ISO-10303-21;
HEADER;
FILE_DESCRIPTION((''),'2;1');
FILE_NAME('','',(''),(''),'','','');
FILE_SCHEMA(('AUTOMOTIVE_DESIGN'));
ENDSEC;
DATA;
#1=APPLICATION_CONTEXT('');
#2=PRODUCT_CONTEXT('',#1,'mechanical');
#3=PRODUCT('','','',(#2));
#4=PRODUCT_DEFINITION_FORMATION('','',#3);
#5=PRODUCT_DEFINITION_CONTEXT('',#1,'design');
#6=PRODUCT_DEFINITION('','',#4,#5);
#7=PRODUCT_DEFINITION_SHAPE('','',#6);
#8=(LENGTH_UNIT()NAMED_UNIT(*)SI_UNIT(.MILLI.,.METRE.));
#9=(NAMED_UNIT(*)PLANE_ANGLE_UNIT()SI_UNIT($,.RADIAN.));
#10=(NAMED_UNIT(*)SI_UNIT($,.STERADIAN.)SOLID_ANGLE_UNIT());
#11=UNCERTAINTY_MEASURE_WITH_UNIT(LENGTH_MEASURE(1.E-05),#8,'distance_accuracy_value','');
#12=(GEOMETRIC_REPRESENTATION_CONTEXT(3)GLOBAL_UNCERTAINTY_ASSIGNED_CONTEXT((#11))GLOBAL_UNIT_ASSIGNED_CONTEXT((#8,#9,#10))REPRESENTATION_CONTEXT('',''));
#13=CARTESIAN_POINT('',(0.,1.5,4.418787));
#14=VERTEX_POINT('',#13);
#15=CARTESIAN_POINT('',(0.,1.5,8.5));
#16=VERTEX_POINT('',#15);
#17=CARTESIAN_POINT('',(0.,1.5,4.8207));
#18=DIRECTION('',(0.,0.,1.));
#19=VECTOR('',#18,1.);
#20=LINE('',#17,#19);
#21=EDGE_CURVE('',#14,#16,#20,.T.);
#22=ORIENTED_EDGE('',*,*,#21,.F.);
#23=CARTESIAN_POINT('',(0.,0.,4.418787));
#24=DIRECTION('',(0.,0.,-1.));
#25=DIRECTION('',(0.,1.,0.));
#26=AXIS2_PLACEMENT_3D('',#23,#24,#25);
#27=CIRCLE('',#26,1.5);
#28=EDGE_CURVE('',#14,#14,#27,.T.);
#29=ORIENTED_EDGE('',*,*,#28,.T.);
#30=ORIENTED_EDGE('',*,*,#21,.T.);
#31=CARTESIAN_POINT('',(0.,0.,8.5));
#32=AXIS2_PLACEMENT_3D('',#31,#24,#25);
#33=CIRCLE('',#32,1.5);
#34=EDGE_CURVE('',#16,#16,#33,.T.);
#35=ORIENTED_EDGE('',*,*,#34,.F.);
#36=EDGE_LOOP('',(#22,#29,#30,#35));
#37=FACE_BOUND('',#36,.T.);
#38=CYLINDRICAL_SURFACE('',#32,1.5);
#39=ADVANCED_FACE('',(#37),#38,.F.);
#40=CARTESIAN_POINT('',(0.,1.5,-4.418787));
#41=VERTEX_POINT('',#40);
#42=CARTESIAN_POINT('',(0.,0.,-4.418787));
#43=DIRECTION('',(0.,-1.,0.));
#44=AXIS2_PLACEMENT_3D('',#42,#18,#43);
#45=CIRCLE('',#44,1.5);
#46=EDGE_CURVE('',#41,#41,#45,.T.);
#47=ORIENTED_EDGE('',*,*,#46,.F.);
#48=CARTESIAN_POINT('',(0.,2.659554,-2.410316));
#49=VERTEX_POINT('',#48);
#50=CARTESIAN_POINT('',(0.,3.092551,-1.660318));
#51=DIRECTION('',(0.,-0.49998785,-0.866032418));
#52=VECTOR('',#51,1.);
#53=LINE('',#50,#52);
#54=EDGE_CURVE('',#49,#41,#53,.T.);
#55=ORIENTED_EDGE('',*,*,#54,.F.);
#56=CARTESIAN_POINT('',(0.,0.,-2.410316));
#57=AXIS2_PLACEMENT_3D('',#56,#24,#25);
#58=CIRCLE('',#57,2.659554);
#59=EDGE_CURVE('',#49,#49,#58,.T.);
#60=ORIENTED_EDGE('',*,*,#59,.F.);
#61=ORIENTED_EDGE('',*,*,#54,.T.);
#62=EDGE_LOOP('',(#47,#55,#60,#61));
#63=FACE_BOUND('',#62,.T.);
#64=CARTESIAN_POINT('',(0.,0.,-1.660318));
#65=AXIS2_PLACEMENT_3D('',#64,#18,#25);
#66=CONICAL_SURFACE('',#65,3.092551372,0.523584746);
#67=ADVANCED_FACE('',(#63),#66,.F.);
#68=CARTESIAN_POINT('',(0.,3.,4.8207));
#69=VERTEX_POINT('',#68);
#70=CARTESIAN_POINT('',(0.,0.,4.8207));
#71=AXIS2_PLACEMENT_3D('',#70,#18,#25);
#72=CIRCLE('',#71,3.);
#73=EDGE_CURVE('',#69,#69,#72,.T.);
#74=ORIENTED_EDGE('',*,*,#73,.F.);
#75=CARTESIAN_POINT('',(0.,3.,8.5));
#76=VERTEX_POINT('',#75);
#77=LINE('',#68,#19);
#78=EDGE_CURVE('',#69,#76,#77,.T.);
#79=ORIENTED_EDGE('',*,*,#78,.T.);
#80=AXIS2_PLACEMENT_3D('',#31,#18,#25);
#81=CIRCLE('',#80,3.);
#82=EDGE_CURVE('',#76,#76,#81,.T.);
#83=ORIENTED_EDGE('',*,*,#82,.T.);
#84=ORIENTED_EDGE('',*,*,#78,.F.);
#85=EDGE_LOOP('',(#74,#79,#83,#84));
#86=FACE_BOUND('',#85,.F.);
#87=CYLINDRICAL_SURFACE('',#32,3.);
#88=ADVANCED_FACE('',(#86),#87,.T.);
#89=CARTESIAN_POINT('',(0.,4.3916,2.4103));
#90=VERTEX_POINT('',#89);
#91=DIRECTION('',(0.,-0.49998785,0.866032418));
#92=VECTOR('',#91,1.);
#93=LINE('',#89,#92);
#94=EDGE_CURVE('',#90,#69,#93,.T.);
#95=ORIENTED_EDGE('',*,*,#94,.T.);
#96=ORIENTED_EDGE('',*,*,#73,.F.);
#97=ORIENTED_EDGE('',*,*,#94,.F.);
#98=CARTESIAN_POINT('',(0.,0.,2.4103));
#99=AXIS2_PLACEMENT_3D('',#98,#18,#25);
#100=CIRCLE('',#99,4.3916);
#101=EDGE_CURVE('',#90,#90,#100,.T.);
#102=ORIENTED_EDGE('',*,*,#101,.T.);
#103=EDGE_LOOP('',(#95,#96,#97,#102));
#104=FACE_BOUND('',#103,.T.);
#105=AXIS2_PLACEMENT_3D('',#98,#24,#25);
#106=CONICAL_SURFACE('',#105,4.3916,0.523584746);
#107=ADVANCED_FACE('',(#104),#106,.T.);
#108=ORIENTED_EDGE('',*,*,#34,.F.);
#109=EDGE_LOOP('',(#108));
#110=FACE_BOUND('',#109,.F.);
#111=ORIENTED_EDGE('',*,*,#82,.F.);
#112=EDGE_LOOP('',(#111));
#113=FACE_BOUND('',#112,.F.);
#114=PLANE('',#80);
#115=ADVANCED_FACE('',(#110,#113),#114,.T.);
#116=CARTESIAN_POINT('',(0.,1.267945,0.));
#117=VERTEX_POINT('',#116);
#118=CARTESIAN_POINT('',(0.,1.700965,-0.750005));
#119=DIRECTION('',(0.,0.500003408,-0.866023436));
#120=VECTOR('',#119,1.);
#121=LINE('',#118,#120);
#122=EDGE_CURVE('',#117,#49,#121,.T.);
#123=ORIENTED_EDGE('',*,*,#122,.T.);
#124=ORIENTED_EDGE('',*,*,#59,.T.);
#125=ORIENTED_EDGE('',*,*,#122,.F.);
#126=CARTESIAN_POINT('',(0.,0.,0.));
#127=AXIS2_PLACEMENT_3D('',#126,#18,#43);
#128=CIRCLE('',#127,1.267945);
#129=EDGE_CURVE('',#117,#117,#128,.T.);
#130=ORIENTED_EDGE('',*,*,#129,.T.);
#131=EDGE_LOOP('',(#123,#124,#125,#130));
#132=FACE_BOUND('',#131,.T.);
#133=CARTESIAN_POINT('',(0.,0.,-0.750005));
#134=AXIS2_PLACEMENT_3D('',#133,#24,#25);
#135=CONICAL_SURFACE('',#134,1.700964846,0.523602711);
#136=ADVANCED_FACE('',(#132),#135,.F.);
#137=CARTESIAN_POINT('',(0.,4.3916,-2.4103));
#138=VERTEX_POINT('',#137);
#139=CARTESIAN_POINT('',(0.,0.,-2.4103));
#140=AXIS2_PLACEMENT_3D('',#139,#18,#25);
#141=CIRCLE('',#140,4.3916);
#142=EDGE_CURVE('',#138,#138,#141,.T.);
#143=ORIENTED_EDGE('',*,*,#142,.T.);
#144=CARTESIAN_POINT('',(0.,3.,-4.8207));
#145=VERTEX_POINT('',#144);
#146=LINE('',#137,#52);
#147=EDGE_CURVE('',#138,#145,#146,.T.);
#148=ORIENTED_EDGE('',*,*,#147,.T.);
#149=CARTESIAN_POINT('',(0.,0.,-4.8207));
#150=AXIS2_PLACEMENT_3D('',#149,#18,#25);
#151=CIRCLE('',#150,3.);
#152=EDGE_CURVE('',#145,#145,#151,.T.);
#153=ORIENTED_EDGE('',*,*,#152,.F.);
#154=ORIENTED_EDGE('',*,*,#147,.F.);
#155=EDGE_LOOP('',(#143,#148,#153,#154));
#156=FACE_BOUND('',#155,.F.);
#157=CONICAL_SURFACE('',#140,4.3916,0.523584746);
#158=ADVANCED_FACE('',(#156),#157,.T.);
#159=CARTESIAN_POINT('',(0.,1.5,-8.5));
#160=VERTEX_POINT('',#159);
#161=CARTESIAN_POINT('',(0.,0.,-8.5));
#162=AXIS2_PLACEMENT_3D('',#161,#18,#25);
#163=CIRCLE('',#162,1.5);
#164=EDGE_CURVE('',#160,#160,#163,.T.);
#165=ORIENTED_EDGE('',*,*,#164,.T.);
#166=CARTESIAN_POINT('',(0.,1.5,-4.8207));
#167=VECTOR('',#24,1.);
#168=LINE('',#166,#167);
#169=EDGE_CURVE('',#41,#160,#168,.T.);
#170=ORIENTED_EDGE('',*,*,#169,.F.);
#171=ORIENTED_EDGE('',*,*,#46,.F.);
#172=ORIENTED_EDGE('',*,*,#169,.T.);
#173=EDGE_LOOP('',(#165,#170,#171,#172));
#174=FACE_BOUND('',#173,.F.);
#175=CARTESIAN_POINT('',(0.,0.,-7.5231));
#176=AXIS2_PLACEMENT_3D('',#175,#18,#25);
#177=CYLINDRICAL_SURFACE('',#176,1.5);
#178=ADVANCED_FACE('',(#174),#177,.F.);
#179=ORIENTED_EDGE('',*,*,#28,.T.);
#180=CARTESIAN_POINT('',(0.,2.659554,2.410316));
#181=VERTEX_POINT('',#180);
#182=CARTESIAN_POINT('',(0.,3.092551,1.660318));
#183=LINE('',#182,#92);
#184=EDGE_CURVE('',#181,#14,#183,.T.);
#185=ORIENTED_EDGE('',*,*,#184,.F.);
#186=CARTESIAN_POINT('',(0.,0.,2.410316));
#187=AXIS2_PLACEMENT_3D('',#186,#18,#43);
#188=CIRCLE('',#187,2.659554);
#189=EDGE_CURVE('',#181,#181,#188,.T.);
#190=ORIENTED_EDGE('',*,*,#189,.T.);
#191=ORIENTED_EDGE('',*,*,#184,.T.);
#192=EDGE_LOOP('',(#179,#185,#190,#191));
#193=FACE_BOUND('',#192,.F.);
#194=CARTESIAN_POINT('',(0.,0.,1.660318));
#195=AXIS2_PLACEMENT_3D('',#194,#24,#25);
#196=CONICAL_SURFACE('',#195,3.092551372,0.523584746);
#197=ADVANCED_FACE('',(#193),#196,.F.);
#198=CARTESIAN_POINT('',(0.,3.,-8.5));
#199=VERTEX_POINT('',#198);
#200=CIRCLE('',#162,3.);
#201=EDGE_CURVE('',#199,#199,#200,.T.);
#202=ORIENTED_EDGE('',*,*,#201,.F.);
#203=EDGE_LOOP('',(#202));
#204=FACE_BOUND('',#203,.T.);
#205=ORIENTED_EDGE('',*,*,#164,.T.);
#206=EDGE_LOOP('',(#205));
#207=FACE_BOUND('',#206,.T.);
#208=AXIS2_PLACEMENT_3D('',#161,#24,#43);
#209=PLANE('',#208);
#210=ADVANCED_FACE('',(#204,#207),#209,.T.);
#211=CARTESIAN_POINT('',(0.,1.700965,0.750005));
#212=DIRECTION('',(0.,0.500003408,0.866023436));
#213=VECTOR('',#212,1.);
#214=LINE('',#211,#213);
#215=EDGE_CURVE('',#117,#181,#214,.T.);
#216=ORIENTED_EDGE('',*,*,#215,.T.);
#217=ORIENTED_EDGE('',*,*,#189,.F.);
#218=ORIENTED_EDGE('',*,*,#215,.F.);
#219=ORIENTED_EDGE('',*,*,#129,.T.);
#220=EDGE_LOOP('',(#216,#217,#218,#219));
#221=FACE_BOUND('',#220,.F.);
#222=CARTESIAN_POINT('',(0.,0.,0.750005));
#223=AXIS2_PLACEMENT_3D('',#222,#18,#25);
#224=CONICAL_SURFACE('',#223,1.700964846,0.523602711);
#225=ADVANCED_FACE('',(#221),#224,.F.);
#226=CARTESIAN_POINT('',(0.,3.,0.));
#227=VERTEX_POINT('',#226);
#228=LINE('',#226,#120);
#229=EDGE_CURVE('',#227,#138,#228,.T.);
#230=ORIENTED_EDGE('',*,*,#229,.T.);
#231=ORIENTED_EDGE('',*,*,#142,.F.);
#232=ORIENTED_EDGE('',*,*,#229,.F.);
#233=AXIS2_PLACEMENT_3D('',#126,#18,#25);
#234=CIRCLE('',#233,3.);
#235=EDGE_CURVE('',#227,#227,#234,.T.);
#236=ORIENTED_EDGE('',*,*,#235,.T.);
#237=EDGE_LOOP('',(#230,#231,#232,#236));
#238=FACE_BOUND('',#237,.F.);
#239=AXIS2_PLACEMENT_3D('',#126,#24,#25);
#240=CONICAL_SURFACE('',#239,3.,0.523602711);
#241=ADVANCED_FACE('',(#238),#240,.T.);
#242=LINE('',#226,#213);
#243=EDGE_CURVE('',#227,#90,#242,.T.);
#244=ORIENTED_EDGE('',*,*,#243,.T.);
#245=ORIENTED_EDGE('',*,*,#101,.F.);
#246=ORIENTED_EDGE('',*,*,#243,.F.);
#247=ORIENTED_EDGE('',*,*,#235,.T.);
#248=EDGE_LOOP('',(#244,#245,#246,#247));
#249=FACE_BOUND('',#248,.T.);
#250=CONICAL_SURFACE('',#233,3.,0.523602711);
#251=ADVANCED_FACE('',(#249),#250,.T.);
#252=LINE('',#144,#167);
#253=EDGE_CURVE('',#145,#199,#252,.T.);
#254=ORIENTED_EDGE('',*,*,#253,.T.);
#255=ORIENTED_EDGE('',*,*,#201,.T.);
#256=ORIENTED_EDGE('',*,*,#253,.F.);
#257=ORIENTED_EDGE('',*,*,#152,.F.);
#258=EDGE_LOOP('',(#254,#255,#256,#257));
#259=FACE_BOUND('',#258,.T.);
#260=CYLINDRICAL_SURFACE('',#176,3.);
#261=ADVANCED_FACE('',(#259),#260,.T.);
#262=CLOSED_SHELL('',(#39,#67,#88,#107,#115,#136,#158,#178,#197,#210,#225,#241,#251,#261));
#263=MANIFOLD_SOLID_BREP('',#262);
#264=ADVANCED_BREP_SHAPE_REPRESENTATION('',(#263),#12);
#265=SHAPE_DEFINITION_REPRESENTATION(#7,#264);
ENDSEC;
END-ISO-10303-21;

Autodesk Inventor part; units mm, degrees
ref_plane "YZ Plane" through (0, 0, 0) normal (1, 0, 0) x (0, 1, 0)
ref_plane "XZ Plane" through (0, 0, 0) normal (0, 1, 0) x (-1, 0, 0)
ref_plane "XY Plane" through (0, 0, 0) normal (0, 0, 1) x (1, 0, 0)
sketch "Sketch1" plane through (0, 0, 0) normal (1, 0, 0) x (0, 1, 0)
  line L0 (0, 0) -> (0, 8.5)
  line L1 (0, 8.5) -> (3, 8.5)
  line L2 (3, 0) -> (4.3916, 2.4103)
  line L3 (3, 0) -> (5.7832, 0) construction
  line L4 (4.3916, 2.4103) -> (3, 4.8207)
  line L5 (3, 0) -> (0, 0)
  line L6 (3, 8.5) -> (3, 7.5231)
  line L7 (3, 7.5231) -> (3, 4.8207)
  dimension "d0" = 8.5
  dimension "d1" = 3
  dimension "d3" = 60
  dimension "d4" = 120
revolve "Revolution1" add sketch "Sketch1" angle 360 about axis through (0, 0, 0) along (0, 0, 1)
mirror "Mirror1" about plane through (0, 0, 0) normal (0, 0, -1)
shell "Shell1" thickness 1.5 removed faces 2 at (-1.0949, -0.5351, 8.5) at (-1.0949, -0.5351, -8.5)
properties part number "Flex_3DPrint"
